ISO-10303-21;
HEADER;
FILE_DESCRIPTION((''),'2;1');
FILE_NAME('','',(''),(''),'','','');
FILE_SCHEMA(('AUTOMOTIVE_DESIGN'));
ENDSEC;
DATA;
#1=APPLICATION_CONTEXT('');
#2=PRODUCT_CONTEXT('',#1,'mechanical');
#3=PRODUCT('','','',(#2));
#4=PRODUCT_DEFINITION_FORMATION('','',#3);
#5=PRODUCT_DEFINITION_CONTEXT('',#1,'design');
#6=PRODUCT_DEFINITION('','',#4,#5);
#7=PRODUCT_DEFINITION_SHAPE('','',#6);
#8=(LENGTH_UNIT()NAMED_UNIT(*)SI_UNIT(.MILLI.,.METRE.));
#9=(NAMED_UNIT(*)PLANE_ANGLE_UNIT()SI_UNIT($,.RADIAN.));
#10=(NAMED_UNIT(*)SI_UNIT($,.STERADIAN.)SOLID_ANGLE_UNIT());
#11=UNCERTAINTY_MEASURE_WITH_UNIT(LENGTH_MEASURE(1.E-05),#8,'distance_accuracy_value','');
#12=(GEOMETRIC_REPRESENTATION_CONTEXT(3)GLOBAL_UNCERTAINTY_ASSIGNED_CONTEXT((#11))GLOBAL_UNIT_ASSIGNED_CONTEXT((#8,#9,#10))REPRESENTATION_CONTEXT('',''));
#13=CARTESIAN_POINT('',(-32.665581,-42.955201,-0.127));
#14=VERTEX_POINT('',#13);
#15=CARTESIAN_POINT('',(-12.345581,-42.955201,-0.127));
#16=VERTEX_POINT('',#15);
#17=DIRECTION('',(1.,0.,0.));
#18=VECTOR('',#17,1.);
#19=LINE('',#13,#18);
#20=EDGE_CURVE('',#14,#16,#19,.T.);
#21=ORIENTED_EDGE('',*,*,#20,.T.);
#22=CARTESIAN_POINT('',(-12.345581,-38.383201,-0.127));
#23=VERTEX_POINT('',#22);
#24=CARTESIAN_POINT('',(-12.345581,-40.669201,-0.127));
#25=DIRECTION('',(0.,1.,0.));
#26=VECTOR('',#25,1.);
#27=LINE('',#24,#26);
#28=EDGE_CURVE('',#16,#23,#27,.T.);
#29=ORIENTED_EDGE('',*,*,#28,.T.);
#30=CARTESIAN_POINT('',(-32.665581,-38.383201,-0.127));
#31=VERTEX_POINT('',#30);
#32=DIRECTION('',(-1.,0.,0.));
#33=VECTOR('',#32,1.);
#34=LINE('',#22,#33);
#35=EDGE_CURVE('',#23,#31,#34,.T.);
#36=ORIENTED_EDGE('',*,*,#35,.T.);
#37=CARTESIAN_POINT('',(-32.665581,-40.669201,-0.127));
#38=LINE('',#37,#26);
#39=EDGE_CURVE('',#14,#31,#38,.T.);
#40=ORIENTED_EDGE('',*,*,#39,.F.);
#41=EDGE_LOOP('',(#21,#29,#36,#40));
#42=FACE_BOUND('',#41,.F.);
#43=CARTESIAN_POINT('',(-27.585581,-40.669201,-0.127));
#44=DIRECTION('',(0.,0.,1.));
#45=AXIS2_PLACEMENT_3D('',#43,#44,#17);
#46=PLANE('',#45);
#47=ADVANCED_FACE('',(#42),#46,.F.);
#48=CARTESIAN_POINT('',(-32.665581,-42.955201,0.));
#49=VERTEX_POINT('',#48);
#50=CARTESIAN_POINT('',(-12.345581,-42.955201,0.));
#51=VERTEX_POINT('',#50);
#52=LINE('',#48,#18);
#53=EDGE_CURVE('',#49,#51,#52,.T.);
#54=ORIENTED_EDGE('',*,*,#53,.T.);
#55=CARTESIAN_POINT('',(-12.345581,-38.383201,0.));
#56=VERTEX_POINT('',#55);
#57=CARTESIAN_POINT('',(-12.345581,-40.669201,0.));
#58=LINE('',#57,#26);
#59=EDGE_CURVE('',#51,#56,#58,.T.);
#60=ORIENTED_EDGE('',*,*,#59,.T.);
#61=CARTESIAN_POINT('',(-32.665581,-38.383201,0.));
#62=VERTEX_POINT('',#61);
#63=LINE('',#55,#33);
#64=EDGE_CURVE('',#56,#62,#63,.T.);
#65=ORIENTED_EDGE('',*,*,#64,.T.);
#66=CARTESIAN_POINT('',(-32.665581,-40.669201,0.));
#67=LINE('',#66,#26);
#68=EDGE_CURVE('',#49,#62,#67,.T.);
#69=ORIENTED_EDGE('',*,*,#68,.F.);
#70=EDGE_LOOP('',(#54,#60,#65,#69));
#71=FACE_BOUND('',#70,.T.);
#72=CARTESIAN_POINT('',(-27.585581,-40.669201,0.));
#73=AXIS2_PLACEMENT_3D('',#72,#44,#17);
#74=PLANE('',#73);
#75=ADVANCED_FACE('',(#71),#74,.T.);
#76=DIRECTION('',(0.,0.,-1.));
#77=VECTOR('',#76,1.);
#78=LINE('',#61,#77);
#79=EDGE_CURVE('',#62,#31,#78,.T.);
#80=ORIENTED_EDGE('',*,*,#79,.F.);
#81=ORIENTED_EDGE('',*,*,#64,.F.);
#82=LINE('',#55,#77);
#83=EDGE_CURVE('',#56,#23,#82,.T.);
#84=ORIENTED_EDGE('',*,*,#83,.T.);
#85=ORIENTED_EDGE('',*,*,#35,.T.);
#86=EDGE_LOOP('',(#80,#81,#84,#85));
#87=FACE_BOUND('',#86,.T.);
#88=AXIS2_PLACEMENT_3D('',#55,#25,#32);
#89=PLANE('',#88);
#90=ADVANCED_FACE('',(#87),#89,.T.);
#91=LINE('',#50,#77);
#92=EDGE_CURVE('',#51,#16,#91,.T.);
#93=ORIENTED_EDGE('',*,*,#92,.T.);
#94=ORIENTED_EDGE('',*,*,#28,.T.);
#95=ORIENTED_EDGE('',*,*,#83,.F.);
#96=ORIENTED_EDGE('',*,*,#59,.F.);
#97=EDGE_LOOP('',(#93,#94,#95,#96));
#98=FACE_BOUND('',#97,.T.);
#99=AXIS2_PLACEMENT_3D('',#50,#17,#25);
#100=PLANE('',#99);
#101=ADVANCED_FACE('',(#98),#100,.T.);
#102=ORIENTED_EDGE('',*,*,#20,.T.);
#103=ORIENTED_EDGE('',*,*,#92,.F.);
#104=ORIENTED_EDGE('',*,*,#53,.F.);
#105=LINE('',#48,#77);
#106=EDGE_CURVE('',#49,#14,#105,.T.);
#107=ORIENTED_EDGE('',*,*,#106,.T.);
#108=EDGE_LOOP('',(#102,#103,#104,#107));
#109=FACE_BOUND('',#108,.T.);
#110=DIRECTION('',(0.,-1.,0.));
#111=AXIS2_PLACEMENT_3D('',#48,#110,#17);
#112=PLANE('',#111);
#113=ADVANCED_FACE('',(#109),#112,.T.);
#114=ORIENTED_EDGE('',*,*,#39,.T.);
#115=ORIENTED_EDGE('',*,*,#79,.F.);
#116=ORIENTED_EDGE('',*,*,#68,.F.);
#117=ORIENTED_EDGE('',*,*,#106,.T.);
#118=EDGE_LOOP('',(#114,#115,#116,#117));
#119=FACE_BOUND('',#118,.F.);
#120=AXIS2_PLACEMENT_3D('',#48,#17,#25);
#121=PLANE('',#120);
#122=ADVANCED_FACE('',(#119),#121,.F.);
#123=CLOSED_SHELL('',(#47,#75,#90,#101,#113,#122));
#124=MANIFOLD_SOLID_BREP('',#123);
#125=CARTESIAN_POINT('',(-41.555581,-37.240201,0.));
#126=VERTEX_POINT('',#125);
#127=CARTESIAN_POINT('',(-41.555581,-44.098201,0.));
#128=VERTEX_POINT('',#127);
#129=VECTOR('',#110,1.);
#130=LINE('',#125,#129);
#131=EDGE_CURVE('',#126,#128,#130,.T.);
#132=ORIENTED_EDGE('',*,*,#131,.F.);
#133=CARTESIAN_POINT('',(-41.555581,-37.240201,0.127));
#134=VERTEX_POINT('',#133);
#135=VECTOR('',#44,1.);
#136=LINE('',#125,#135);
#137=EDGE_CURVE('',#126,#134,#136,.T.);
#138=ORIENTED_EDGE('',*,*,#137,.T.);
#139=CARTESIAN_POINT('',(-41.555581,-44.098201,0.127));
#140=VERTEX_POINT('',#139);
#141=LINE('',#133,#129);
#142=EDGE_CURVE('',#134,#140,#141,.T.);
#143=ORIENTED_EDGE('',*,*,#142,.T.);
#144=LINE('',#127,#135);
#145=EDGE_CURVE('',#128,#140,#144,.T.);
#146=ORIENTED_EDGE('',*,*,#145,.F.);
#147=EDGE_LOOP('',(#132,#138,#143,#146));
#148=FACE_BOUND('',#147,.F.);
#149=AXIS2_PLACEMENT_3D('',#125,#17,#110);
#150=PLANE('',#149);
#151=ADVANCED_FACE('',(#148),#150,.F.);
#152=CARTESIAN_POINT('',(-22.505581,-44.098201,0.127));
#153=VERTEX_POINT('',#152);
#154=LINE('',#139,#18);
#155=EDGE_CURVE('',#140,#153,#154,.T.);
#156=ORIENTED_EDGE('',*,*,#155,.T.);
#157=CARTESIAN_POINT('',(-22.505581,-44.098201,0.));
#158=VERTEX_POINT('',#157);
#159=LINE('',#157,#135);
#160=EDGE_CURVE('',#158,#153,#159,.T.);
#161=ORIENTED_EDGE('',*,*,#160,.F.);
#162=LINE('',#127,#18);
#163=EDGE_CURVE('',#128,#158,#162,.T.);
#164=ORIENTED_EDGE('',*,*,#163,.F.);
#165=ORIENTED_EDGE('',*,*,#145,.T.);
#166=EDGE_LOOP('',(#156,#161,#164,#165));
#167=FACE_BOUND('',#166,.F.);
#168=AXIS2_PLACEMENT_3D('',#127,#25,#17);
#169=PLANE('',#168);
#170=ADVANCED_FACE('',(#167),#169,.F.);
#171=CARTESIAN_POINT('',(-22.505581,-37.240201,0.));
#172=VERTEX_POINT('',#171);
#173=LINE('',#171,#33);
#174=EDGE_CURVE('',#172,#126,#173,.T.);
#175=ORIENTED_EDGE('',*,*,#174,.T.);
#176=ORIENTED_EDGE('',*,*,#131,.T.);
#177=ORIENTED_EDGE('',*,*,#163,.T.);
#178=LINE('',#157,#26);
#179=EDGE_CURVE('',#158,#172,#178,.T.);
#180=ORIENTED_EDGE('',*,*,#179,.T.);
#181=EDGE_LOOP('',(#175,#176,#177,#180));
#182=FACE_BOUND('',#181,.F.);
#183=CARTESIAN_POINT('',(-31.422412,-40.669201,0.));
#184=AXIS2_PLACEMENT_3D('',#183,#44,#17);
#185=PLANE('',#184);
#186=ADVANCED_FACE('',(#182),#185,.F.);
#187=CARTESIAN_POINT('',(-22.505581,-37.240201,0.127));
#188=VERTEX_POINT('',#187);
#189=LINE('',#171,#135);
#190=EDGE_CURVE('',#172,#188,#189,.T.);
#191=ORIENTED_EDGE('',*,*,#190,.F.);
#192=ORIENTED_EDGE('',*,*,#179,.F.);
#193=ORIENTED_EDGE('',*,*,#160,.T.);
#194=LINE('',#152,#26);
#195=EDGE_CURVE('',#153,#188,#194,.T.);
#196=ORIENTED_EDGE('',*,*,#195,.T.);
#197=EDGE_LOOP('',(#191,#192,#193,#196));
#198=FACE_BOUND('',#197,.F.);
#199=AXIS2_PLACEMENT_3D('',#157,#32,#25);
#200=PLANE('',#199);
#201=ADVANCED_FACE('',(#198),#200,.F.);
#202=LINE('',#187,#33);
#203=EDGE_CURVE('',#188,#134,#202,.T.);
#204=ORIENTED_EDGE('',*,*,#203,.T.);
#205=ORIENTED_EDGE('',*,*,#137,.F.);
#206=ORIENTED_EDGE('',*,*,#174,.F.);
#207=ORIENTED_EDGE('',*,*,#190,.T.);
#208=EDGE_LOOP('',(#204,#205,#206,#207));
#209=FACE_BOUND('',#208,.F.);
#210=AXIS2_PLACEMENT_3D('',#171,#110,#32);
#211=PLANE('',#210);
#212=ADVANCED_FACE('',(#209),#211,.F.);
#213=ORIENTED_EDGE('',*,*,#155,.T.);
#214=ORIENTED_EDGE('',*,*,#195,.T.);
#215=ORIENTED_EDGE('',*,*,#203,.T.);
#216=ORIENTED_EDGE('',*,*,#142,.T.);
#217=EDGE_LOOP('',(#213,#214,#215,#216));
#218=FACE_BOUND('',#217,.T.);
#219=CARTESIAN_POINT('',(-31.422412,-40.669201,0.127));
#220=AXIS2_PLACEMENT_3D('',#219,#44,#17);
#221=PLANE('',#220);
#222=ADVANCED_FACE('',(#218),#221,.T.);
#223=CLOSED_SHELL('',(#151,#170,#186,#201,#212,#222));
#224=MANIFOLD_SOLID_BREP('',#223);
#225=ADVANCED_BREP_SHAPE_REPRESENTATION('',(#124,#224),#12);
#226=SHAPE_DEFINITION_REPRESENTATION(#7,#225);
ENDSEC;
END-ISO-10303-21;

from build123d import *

# Parameters (mm, degrees)
F0_W     = 10.16
F0_H     = 4.572
F1_DEPTH = 0.127
F2_DEPTH = 0.127


with BuildPart() as f1:
    # F0 (on Top) → F1 (new body)
    with BuildSketch(Plane.XY):
        Polygon((-22.505581, -37.240201), (-41.555581, -37.240201), (-41.555581, -44.098201), (-22.505581, -44.098201), (-22.505581, -42.955201), (-32.665581, -42.955201), (-32.665581, -38.383201), (-22.505581, -38.383201), align=None)
        with Locations((-27.585581, -40.669201)):
            Rectangle(F0_W, F0_H)
    extrude(amount=F1_DEPTH)


with BuildPart() as f2:
    # F0 (on Top) → F2 (new body)
    with BuildSketch(Plane.XY):
        with Locations((-27.585581, -40.669201)):
            Rectangle(F0_W, F0_H)
        with Locations((-17.425581, -40.669201)):
            Rectangle(F0_W, F0_H)
    extrude(amount=-F2_DEPTH)


solid = Compound([f1.part, f2.part])
